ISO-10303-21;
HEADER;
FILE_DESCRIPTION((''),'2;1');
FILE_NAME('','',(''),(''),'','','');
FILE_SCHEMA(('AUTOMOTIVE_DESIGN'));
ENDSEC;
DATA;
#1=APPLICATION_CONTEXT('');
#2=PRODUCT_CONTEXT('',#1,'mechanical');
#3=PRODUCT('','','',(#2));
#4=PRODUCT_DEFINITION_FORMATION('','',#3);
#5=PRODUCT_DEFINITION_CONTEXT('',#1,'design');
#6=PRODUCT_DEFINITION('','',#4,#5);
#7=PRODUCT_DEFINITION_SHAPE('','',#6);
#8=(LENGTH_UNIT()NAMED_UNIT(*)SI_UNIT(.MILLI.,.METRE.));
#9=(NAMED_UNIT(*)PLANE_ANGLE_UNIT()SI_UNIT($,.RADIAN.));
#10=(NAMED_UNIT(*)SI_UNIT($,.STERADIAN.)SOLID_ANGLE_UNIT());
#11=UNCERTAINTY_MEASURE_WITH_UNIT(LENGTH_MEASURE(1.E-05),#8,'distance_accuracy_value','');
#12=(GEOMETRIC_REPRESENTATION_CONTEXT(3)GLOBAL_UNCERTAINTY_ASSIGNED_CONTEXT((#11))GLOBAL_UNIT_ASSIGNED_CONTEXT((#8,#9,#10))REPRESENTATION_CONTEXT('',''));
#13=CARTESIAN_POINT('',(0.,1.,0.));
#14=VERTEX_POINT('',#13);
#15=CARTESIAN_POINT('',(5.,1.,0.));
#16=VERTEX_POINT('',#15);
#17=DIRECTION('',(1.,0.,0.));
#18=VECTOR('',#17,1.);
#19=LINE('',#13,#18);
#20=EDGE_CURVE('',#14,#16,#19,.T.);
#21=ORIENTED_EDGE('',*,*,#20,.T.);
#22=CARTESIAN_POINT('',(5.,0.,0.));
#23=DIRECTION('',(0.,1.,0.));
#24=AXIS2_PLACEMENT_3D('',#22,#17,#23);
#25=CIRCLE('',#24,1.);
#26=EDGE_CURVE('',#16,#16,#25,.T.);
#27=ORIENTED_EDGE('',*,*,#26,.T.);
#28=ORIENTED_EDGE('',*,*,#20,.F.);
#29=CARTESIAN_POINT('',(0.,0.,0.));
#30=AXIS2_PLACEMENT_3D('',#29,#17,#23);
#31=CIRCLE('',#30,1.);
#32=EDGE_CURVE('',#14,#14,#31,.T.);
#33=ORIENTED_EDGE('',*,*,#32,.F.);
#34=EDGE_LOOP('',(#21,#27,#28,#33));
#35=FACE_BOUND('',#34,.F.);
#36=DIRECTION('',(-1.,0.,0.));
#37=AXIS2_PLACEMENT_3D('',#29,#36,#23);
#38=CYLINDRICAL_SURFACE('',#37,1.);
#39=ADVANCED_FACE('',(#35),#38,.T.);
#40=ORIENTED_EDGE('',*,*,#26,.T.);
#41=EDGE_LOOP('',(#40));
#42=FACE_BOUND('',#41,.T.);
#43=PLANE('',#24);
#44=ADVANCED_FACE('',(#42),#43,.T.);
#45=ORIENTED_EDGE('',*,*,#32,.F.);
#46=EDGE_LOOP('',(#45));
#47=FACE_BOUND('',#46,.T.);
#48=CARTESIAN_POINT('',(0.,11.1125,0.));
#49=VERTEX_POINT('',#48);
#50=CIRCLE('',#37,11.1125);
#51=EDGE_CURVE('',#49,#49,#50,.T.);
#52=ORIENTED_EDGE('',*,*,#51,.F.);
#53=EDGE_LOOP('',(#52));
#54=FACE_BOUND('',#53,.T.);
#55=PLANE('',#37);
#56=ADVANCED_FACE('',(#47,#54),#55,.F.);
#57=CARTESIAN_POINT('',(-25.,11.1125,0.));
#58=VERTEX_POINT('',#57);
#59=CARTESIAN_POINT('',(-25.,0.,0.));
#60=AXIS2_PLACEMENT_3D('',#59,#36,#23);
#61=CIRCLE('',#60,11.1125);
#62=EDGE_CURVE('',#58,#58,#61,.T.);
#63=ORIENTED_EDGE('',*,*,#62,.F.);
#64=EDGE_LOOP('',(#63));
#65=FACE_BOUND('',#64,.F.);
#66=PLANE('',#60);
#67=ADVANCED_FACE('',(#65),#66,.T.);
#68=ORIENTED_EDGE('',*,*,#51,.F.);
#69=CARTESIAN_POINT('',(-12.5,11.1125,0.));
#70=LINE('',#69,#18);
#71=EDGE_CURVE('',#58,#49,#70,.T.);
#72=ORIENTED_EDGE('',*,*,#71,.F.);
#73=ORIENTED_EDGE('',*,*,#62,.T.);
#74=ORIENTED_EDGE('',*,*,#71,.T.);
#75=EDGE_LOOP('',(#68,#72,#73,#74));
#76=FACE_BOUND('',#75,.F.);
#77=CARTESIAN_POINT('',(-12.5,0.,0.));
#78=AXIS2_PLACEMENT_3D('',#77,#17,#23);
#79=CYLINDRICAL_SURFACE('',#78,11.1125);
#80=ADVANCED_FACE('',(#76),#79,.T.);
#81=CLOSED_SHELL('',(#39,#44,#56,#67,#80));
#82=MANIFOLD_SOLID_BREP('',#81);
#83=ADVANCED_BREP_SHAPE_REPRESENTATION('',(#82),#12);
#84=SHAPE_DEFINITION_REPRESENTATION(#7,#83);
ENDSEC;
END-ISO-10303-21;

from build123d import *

# Parameters (mm, degrees)
F0_W     = 25
F0_H     = 11.1125
F2_R     = 1
F3_DEPTH = 5


with BuildPart() as f1:
    # F0 (on Top) → F1 (revolve)
    with BuildSketch(Plane.XY):
        with Locations((-12.5, 5.55625)):
            Rectangle(F0_W, F0_H)
    revolve(axis=Axis((-12.5, 0, 0), (-1, 0, 0)))

    # F2 (on face) → F3 (join)
    with BuildSketch(Plane.YZ):
        Circle(F2_R)
    extrude(amount=F3_DEPTH)


solid = f1.part
